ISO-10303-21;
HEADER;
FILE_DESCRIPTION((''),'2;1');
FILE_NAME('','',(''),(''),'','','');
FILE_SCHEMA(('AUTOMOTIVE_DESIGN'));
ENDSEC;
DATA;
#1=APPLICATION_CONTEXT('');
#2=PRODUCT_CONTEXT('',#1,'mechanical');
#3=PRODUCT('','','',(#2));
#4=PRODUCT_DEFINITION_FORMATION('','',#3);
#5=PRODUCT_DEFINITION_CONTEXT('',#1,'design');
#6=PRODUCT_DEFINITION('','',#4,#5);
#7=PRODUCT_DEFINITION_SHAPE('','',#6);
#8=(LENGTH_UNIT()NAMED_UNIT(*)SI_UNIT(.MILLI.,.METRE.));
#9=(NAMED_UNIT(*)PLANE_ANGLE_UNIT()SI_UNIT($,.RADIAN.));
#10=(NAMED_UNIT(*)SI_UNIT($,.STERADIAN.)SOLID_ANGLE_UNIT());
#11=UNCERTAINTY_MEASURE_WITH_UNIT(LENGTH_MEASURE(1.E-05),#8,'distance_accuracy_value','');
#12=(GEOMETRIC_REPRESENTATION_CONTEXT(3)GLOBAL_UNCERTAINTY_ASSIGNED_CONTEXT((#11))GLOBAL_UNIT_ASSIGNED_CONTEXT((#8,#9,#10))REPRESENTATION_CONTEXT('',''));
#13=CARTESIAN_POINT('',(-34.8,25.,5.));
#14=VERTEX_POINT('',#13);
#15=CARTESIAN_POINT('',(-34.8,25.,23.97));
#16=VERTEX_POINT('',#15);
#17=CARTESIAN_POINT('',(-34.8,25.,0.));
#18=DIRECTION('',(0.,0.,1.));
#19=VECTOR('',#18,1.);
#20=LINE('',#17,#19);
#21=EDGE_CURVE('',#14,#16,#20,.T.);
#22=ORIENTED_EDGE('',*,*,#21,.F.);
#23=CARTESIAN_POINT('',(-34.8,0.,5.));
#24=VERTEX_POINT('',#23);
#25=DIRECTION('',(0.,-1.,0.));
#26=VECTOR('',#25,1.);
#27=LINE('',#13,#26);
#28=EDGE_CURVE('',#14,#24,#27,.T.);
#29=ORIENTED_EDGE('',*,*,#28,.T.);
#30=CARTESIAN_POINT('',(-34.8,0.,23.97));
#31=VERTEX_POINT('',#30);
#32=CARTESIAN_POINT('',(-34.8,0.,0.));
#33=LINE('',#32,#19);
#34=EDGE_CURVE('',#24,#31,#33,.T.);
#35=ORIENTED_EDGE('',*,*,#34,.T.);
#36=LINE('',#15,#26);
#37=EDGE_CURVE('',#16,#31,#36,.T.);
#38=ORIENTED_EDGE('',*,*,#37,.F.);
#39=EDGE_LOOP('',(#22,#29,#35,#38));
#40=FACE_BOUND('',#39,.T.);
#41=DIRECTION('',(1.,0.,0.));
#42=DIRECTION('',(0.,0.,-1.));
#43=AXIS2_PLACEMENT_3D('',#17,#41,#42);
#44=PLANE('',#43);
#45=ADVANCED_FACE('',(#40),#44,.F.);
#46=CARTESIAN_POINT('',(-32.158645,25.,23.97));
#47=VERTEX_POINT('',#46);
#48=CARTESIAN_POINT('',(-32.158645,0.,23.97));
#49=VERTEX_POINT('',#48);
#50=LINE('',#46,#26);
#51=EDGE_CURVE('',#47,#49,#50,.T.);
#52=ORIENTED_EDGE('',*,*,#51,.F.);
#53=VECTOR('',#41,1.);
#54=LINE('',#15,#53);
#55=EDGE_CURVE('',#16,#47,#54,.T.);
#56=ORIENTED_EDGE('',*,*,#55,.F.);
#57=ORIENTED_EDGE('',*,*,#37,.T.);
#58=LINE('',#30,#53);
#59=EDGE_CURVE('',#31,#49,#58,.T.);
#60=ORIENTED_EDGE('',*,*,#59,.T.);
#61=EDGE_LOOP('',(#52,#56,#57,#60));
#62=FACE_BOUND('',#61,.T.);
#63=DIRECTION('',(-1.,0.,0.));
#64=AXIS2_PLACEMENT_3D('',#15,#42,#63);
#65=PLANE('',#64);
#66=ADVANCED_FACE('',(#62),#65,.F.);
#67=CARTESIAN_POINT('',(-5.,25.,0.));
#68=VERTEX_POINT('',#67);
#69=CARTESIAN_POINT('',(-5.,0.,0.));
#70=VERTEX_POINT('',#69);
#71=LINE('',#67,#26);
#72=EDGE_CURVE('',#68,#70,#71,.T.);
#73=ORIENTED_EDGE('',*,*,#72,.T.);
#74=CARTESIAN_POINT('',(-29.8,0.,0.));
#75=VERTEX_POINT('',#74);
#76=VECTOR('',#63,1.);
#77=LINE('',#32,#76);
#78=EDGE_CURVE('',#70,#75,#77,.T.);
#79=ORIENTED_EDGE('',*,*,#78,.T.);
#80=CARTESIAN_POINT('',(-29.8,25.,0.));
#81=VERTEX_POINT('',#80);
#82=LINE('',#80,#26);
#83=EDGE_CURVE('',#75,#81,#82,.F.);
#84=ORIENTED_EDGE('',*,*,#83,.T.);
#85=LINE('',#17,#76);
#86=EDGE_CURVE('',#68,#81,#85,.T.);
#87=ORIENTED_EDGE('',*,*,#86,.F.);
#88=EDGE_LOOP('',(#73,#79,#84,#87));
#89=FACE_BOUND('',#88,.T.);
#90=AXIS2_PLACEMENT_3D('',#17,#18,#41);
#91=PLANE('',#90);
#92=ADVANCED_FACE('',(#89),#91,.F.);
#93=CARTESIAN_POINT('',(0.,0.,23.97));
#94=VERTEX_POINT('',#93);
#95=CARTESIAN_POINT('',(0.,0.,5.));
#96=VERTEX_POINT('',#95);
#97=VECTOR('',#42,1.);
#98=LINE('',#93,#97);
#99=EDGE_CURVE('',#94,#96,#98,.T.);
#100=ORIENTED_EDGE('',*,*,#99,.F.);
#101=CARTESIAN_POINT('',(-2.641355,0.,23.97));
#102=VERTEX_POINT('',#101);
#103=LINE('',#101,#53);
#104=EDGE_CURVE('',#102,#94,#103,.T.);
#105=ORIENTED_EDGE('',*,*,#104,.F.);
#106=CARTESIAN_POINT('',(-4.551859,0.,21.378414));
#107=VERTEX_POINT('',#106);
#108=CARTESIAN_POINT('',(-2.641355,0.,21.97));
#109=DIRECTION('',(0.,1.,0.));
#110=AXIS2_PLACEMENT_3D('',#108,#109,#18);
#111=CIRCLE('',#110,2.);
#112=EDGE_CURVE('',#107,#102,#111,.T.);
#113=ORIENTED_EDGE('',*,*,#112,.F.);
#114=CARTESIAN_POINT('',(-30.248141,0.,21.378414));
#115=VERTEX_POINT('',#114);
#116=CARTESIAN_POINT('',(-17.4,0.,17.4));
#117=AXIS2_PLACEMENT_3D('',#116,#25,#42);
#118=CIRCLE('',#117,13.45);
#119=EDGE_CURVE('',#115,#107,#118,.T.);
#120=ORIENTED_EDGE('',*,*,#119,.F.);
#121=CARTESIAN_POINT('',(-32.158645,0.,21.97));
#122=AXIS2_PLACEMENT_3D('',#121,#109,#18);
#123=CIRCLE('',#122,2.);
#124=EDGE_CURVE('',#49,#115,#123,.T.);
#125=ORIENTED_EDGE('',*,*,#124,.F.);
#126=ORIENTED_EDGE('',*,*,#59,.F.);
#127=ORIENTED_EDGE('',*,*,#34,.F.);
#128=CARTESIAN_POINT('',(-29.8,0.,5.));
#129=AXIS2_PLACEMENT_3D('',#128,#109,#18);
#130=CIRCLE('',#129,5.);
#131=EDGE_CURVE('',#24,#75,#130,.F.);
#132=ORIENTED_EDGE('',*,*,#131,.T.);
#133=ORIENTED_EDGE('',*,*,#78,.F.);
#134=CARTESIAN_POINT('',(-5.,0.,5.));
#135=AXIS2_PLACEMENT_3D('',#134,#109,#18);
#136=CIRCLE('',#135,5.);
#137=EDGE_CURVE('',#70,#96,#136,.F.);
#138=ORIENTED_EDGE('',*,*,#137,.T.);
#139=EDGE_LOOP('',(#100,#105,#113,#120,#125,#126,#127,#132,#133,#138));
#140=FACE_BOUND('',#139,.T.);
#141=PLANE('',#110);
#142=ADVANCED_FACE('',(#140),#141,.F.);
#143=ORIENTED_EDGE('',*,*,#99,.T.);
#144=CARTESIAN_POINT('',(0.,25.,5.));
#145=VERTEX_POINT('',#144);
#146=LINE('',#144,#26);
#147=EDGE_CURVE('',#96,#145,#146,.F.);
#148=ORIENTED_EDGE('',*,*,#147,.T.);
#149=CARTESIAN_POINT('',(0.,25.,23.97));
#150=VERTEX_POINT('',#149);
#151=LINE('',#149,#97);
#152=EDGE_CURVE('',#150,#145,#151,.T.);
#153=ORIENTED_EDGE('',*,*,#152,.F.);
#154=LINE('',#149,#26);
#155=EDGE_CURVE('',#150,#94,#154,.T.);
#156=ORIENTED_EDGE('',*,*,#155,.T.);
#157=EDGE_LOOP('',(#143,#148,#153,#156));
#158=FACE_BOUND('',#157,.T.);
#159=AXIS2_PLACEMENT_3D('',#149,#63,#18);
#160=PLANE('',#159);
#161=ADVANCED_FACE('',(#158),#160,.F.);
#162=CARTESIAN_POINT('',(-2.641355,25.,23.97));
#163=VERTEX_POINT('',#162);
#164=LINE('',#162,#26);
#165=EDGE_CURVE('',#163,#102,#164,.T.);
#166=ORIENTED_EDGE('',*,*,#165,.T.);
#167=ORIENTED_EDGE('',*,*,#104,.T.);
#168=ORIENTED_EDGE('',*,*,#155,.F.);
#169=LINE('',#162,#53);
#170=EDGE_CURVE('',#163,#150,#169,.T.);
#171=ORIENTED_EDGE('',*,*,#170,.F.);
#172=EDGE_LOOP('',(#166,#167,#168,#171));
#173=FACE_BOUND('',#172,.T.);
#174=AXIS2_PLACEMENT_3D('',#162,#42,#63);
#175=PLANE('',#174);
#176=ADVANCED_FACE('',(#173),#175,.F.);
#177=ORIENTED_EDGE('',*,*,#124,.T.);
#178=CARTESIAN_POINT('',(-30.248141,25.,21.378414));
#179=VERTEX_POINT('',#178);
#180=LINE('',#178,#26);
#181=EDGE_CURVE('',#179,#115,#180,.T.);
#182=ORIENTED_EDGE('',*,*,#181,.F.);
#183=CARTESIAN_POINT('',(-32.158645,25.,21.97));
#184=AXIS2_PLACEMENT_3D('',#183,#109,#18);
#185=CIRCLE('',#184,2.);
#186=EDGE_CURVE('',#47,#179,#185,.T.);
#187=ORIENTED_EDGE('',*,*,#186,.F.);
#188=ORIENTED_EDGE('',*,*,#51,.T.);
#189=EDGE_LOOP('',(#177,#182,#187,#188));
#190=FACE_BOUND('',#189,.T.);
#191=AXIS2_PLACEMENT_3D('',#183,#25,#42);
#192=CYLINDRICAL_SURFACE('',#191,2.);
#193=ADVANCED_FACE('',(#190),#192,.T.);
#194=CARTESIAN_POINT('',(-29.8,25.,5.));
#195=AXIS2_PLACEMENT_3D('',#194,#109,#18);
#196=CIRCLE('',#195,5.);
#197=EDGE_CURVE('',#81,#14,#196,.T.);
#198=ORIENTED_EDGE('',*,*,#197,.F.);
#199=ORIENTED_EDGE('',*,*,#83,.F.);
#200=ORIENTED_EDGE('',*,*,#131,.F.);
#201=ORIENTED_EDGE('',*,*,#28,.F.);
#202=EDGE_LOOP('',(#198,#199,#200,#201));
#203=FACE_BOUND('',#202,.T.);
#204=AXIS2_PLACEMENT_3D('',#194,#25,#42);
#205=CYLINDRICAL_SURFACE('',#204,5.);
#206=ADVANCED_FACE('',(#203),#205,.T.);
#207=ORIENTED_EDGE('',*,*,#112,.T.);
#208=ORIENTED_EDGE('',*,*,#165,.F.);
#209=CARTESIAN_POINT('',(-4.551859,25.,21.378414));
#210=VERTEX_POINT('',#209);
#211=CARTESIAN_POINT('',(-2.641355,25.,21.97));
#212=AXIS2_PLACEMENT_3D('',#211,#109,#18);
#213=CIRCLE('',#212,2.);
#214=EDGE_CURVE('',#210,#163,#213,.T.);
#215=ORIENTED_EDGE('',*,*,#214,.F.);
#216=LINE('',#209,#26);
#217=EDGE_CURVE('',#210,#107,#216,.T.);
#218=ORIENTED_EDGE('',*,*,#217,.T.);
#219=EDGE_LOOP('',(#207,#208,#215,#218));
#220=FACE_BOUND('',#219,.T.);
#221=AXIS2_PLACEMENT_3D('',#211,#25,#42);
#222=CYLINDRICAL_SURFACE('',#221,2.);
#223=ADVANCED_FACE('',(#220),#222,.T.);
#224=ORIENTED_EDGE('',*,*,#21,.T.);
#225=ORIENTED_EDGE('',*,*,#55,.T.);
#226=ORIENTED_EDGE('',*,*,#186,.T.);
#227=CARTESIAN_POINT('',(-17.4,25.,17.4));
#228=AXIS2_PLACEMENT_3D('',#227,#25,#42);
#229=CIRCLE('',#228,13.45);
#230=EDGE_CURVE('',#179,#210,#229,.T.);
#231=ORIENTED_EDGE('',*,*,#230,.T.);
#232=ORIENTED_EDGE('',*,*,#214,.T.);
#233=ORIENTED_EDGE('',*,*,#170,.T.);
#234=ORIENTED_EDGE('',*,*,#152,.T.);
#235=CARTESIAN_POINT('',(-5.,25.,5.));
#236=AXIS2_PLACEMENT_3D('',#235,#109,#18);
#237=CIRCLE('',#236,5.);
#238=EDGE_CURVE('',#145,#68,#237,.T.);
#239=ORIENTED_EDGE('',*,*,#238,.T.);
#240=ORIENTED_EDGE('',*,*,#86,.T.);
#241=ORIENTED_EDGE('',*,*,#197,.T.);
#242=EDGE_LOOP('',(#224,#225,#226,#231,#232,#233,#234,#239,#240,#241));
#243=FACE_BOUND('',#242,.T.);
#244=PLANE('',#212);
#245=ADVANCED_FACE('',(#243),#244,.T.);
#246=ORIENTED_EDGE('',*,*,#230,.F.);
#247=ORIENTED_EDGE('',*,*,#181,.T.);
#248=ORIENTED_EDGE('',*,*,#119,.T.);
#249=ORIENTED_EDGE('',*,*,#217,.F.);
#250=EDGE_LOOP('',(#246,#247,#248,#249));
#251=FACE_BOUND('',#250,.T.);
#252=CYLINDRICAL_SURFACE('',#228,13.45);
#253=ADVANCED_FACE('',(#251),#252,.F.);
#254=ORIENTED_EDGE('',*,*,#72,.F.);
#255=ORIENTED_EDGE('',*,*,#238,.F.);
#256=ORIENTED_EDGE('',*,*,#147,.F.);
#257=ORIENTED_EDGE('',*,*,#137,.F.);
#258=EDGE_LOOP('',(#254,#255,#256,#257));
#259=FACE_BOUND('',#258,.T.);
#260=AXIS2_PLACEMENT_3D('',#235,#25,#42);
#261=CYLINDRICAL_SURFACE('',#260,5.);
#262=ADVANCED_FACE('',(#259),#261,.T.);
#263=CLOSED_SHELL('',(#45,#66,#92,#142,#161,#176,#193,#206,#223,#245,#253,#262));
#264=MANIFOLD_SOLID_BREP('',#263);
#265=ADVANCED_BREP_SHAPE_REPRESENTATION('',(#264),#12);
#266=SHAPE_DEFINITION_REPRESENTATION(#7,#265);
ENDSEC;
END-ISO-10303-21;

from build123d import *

# Parameters (mm, degrees)
BOSS_EXTRUDE1_DEPTH = 25
FILLET1_R           = 5


with BuildPart() as part:
    # Sketch1 → Boss-Extrude1 (new body)
    with BuildSketch(Plane(origin=(0, 0, 0), x_dir=(1, 0, 0), z_dir=(0, 1, 0))):
        with BuildLine():
            Line((-34.8, 0), (-34.8, -23.97))
            Line((-34.8, -23.97), (-32.158644924, -23.97))
            ThreePointArc((-32.158644924, -23.97), (-30.548804634, -23.156766295), (-30.248140727, -21.378414239))
            ThreePointArc((-30.248140727, -21.378414239), (-17.4, -3.95), (-4.551859273, -21.378414239))
            ThreePointArc((-4.551859273, -21.378414239), (-4.251195366, -23.156766295), (-2.641355076, -23.97))
            Line((-2.641355076, -23.97), (0, -23.97))
            Line((0, -23.97), (0, 0))
            Line((0, 0), (-34.8, 0))
        make_face()
    extrude(amount=BOSS_EXTRUDE1_DEPTH)

    # Fillet1
    fillet1_edges = [part.edges().sort_by_distance(p)[0] for p in [
        (0, 12.5, 0),
        (-34.8, 12.5, 0),
    ]]
    fillet(fillet1_edges, radius=FILLET1_R)


solid = part.part
